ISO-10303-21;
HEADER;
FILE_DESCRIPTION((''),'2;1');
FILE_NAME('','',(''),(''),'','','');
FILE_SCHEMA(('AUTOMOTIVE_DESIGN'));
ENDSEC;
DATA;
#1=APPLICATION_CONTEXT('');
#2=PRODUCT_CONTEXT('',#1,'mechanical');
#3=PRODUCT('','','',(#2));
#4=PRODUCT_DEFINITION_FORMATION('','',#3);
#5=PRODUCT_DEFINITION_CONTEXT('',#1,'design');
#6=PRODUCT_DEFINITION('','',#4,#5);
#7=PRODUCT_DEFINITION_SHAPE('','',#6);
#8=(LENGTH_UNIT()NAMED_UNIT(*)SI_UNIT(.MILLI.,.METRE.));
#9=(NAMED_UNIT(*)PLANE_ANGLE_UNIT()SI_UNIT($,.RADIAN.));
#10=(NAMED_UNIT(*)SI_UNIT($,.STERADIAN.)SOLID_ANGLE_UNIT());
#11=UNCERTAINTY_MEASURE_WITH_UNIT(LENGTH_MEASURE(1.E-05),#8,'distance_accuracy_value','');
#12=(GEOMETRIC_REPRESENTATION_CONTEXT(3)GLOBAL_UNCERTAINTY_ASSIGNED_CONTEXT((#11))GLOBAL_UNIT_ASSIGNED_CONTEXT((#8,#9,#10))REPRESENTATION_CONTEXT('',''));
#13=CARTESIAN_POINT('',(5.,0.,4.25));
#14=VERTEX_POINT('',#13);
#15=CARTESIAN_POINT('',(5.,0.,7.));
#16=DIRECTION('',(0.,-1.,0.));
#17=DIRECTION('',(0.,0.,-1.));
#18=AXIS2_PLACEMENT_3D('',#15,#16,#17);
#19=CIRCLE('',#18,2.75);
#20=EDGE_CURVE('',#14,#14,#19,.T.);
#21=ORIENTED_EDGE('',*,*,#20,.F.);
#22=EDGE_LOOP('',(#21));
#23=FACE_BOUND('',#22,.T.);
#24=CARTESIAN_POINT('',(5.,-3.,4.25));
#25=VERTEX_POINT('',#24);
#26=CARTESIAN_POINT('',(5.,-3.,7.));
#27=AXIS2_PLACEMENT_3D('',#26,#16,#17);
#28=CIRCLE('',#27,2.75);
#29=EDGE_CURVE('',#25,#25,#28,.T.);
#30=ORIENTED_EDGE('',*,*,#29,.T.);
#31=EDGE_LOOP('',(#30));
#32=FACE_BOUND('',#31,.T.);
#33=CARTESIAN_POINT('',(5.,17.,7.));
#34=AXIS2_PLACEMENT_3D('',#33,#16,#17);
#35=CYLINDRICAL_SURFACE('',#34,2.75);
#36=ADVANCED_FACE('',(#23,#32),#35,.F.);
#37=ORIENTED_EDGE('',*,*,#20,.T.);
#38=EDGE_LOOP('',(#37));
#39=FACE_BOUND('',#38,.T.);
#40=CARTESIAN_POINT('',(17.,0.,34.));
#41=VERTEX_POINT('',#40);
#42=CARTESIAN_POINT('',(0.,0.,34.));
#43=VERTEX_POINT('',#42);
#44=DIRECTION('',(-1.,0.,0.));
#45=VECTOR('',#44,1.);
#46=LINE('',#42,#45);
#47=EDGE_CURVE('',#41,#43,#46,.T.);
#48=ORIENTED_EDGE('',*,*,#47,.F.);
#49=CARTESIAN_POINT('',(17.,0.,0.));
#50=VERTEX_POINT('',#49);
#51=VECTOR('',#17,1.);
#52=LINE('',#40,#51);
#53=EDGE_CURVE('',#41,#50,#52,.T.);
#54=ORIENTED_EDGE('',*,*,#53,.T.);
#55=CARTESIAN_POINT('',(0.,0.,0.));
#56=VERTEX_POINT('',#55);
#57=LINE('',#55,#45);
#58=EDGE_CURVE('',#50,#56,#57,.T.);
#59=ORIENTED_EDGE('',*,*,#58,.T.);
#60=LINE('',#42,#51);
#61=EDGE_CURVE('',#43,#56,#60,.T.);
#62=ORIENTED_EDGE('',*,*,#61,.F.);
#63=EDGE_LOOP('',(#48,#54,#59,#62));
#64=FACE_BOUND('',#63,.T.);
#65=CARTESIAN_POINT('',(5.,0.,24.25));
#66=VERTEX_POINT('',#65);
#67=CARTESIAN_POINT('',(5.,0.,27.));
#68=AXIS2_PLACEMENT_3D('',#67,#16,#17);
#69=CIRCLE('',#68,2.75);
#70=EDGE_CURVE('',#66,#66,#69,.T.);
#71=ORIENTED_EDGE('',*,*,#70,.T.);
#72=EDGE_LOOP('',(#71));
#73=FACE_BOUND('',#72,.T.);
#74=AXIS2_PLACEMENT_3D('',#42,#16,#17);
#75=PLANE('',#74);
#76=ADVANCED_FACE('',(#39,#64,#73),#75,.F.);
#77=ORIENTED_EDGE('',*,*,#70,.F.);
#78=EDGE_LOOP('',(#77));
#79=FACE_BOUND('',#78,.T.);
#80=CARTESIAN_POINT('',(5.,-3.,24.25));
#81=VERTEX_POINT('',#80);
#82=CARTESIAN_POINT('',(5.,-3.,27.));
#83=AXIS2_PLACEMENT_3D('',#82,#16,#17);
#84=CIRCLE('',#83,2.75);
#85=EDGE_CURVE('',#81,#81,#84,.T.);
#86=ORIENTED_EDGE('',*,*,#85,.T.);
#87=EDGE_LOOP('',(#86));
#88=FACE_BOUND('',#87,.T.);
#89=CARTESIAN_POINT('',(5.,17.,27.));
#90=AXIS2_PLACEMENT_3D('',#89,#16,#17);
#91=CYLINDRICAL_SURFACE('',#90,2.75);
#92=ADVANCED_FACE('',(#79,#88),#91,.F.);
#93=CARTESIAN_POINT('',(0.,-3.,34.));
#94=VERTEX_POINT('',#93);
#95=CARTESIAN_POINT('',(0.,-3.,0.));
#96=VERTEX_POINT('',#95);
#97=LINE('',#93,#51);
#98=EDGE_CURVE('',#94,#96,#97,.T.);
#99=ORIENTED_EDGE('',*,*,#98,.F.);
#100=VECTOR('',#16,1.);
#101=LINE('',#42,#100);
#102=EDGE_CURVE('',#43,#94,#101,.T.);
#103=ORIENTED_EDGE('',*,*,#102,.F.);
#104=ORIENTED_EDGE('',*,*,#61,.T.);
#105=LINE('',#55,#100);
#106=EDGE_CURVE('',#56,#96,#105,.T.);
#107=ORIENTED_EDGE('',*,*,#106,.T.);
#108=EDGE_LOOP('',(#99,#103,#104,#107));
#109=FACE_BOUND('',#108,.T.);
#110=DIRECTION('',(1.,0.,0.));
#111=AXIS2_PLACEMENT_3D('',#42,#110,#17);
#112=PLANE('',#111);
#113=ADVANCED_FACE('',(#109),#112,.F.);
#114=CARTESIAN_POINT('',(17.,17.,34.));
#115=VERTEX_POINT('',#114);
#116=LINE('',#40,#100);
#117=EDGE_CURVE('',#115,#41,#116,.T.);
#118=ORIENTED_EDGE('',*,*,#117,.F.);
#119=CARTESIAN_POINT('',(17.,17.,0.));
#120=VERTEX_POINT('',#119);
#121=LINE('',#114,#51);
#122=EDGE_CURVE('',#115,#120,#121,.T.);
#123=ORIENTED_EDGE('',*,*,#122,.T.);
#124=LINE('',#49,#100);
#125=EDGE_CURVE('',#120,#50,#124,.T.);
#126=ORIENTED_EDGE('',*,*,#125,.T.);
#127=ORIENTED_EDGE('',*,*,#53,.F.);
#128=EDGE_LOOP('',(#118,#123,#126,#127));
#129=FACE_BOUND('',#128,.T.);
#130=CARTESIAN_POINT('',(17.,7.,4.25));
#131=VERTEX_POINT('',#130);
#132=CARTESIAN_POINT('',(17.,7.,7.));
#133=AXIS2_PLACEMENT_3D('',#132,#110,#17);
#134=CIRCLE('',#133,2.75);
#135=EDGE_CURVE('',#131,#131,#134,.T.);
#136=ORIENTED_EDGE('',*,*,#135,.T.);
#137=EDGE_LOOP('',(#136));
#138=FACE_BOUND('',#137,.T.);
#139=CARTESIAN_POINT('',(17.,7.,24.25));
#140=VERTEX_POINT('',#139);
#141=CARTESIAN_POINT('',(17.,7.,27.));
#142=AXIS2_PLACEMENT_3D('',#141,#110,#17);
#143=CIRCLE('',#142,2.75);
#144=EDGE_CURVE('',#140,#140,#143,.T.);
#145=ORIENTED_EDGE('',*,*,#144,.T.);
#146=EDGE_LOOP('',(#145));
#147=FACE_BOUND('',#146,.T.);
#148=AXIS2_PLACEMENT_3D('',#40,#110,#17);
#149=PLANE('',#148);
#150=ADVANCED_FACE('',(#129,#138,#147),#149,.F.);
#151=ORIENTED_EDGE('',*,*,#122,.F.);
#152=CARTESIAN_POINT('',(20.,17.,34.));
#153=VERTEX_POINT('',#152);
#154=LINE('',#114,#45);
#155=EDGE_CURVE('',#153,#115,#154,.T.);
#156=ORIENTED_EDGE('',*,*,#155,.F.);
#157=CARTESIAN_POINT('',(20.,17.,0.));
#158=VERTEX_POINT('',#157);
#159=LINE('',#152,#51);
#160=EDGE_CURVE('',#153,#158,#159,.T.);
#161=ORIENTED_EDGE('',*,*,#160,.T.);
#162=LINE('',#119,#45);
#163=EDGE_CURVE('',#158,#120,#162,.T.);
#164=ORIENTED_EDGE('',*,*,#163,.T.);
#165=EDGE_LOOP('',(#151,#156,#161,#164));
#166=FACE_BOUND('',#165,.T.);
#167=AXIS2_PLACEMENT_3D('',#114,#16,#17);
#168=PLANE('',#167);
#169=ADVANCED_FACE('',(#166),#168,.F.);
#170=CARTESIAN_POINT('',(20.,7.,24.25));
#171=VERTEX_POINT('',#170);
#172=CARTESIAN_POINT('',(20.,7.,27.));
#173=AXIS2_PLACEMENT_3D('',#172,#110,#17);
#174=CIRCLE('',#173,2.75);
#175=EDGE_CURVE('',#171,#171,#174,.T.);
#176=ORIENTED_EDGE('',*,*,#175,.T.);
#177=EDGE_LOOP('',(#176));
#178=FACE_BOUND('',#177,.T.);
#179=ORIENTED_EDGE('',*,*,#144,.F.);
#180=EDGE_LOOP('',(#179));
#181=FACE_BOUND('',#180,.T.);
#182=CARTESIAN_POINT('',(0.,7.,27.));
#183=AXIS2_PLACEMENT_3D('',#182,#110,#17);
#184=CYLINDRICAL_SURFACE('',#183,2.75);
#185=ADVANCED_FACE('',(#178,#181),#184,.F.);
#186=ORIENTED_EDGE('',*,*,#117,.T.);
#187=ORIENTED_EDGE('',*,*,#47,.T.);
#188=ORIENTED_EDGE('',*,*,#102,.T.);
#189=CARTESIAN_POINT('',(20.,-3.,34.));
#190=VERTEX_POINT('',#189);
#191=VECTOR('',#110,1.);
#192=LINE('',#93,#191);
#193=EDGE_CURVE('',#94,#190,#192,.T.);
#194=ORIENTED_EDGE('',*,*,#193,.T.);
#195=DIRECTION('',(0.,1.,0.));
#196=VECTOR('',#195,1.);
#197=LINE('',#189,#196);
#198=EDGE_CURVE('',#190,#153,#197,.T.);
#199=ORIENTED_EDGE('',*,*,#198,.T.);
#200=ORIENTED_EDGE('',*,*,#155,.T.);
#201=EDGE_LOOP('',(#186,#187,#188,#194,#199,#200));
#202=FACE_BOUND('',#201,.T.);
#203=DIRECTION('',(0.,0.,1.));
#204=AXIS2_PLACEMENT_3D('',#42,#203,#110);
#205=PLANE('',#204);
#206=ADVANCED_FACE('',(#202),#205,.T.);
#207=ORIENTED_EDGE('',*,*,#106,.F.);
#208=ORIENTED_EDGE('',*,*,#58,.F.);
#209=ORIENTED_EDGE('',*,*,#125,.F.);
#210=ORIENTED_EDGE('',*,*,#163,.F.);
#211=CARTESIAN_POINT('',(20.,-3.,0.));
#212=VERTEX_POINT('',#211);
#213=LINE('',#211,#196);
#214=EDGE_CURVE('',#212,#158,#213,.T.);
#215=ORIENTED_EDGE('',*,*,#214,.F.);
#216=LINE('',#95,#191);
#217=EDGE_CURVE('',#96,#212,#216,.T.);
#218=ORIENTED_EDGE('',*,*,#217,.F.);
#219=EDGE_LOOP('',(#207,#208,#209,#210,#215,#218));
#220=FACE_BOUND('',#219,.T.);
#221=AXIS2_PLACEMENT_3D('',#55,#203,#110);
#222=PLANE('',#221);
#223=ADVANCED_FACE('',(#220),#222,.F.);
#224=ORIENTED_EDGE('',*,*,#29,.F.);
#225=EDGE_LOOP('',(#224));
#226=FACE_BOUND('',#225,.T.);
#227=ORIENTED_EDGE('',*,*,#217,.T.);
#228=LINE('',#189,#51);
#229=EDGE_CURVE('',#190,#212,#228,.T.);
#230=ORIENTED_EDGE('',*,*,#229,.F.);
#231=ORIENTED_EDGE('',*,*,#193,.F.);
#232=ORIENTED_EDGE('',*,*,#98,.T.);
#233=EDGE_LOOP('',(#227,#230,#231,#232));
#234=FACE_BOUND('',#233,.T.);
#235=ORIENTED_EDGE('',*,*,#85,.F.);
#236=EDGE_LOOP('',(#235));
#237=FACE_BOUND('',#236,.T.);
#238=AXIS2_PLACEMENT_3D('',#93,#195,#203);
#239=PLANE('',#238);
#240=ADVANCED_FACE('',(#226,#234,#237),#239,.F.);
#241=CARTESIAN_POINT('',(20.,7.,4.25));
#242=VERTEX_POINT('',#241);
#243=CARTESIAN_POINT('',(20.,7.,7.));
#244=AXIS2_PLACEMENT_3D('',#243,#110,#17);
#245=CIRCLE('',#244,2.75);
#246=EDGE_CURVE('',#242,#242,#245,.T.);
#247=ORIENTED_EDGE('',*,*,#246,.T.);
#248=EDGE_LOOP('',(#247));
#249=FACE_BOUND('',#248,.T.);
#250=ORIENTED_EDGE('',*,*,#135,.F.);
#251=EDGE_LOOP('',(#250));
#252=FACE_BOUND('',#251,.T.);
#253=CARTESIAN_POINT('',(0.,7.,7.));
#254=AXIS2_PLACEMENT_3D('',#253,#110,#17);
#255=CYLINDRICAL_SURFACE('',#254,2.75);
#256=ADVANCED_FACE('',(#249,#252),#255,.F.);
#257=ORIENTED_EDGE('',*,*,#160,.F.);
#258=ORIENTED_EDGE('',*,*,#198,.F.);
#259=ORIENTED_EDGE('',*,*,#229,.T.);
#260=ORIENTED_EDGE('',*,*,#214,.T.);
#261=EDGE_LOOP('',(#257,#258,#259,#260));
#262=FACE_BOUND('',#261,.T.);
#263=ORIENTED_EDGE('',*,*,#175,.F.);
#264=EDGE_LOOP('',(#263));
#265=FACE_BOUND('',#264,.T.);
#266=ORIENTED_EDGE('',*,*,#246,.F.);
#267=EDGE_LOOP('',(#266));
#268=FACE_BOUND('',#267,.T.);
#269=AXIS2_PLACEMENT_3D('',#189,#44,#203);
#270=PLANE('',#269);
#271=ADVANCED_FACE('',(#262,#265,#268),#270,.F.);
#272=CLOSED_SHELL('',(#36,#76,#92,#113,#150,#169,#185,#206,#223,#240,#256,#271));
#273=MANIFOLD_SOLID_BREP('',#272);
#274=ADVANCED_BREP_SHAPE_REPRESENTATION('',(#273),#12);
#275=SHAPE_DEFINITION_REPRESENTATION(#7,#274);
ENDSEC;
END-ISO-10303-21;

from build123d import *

# Parameters (mm, degrees)
EXTRUDE_1_DEPTH     = 34
SKETCH_2_R          = 2.75
CUT_EXTRUDE_1_DEPTH = 43.95346319
SKETCH_3_R          = 2.75
CUT_EXTRUDE_2_DEPTH = 45.226688775


with BuildPart() as part:
    # ｽｹｯﾁ1 → ﾎﾞｽ - 押し出し1 (new body)
    with BuildSketch(Plane.XY):
        Polygon((0, 0), (17, 0), (17, 17), (20, 17), (20, -3), (0, -3), align=None)
    extrude(amount=EXTRUDE_1_DEPTH)

    # ｽｹｯﾁ2 → ｶｯﾄ - 押し出し1 (cut, through all)
    with BuildSketch(Plane(origin=(20, 0, 0), x_dir=(0, 0, -1), z_dir=(1, 0, 0))):
        with Locations((-27, 7)):
            Circle(SKETCH_2_R)
        with Locations((-7, 7)):
            Circle(SKETCH_2_R)
    extrude(amount=-CUT_EXTRUDE_1_DEPTH, mode=Mode.SUBTRACT)

    # ｽｹｯﾁ3 → ｶｯﾄ - 押し出し2 (cut, through all)
    with BuildSketch(Plane.XZ.offset(3)):
        with Locations(Location((5, 7, 0), (0, 0, 270))):
            Circle(SKETCH_3_R)
        with Locations(Location((5, 27, 0), (0, 0, 270))):
            Circle(SKETCH_3_R)
    extrude(amount=-CUT_EXTRUDE_2_DEPTH, mode=Mode.SUBTRACT)


solid = part.part
